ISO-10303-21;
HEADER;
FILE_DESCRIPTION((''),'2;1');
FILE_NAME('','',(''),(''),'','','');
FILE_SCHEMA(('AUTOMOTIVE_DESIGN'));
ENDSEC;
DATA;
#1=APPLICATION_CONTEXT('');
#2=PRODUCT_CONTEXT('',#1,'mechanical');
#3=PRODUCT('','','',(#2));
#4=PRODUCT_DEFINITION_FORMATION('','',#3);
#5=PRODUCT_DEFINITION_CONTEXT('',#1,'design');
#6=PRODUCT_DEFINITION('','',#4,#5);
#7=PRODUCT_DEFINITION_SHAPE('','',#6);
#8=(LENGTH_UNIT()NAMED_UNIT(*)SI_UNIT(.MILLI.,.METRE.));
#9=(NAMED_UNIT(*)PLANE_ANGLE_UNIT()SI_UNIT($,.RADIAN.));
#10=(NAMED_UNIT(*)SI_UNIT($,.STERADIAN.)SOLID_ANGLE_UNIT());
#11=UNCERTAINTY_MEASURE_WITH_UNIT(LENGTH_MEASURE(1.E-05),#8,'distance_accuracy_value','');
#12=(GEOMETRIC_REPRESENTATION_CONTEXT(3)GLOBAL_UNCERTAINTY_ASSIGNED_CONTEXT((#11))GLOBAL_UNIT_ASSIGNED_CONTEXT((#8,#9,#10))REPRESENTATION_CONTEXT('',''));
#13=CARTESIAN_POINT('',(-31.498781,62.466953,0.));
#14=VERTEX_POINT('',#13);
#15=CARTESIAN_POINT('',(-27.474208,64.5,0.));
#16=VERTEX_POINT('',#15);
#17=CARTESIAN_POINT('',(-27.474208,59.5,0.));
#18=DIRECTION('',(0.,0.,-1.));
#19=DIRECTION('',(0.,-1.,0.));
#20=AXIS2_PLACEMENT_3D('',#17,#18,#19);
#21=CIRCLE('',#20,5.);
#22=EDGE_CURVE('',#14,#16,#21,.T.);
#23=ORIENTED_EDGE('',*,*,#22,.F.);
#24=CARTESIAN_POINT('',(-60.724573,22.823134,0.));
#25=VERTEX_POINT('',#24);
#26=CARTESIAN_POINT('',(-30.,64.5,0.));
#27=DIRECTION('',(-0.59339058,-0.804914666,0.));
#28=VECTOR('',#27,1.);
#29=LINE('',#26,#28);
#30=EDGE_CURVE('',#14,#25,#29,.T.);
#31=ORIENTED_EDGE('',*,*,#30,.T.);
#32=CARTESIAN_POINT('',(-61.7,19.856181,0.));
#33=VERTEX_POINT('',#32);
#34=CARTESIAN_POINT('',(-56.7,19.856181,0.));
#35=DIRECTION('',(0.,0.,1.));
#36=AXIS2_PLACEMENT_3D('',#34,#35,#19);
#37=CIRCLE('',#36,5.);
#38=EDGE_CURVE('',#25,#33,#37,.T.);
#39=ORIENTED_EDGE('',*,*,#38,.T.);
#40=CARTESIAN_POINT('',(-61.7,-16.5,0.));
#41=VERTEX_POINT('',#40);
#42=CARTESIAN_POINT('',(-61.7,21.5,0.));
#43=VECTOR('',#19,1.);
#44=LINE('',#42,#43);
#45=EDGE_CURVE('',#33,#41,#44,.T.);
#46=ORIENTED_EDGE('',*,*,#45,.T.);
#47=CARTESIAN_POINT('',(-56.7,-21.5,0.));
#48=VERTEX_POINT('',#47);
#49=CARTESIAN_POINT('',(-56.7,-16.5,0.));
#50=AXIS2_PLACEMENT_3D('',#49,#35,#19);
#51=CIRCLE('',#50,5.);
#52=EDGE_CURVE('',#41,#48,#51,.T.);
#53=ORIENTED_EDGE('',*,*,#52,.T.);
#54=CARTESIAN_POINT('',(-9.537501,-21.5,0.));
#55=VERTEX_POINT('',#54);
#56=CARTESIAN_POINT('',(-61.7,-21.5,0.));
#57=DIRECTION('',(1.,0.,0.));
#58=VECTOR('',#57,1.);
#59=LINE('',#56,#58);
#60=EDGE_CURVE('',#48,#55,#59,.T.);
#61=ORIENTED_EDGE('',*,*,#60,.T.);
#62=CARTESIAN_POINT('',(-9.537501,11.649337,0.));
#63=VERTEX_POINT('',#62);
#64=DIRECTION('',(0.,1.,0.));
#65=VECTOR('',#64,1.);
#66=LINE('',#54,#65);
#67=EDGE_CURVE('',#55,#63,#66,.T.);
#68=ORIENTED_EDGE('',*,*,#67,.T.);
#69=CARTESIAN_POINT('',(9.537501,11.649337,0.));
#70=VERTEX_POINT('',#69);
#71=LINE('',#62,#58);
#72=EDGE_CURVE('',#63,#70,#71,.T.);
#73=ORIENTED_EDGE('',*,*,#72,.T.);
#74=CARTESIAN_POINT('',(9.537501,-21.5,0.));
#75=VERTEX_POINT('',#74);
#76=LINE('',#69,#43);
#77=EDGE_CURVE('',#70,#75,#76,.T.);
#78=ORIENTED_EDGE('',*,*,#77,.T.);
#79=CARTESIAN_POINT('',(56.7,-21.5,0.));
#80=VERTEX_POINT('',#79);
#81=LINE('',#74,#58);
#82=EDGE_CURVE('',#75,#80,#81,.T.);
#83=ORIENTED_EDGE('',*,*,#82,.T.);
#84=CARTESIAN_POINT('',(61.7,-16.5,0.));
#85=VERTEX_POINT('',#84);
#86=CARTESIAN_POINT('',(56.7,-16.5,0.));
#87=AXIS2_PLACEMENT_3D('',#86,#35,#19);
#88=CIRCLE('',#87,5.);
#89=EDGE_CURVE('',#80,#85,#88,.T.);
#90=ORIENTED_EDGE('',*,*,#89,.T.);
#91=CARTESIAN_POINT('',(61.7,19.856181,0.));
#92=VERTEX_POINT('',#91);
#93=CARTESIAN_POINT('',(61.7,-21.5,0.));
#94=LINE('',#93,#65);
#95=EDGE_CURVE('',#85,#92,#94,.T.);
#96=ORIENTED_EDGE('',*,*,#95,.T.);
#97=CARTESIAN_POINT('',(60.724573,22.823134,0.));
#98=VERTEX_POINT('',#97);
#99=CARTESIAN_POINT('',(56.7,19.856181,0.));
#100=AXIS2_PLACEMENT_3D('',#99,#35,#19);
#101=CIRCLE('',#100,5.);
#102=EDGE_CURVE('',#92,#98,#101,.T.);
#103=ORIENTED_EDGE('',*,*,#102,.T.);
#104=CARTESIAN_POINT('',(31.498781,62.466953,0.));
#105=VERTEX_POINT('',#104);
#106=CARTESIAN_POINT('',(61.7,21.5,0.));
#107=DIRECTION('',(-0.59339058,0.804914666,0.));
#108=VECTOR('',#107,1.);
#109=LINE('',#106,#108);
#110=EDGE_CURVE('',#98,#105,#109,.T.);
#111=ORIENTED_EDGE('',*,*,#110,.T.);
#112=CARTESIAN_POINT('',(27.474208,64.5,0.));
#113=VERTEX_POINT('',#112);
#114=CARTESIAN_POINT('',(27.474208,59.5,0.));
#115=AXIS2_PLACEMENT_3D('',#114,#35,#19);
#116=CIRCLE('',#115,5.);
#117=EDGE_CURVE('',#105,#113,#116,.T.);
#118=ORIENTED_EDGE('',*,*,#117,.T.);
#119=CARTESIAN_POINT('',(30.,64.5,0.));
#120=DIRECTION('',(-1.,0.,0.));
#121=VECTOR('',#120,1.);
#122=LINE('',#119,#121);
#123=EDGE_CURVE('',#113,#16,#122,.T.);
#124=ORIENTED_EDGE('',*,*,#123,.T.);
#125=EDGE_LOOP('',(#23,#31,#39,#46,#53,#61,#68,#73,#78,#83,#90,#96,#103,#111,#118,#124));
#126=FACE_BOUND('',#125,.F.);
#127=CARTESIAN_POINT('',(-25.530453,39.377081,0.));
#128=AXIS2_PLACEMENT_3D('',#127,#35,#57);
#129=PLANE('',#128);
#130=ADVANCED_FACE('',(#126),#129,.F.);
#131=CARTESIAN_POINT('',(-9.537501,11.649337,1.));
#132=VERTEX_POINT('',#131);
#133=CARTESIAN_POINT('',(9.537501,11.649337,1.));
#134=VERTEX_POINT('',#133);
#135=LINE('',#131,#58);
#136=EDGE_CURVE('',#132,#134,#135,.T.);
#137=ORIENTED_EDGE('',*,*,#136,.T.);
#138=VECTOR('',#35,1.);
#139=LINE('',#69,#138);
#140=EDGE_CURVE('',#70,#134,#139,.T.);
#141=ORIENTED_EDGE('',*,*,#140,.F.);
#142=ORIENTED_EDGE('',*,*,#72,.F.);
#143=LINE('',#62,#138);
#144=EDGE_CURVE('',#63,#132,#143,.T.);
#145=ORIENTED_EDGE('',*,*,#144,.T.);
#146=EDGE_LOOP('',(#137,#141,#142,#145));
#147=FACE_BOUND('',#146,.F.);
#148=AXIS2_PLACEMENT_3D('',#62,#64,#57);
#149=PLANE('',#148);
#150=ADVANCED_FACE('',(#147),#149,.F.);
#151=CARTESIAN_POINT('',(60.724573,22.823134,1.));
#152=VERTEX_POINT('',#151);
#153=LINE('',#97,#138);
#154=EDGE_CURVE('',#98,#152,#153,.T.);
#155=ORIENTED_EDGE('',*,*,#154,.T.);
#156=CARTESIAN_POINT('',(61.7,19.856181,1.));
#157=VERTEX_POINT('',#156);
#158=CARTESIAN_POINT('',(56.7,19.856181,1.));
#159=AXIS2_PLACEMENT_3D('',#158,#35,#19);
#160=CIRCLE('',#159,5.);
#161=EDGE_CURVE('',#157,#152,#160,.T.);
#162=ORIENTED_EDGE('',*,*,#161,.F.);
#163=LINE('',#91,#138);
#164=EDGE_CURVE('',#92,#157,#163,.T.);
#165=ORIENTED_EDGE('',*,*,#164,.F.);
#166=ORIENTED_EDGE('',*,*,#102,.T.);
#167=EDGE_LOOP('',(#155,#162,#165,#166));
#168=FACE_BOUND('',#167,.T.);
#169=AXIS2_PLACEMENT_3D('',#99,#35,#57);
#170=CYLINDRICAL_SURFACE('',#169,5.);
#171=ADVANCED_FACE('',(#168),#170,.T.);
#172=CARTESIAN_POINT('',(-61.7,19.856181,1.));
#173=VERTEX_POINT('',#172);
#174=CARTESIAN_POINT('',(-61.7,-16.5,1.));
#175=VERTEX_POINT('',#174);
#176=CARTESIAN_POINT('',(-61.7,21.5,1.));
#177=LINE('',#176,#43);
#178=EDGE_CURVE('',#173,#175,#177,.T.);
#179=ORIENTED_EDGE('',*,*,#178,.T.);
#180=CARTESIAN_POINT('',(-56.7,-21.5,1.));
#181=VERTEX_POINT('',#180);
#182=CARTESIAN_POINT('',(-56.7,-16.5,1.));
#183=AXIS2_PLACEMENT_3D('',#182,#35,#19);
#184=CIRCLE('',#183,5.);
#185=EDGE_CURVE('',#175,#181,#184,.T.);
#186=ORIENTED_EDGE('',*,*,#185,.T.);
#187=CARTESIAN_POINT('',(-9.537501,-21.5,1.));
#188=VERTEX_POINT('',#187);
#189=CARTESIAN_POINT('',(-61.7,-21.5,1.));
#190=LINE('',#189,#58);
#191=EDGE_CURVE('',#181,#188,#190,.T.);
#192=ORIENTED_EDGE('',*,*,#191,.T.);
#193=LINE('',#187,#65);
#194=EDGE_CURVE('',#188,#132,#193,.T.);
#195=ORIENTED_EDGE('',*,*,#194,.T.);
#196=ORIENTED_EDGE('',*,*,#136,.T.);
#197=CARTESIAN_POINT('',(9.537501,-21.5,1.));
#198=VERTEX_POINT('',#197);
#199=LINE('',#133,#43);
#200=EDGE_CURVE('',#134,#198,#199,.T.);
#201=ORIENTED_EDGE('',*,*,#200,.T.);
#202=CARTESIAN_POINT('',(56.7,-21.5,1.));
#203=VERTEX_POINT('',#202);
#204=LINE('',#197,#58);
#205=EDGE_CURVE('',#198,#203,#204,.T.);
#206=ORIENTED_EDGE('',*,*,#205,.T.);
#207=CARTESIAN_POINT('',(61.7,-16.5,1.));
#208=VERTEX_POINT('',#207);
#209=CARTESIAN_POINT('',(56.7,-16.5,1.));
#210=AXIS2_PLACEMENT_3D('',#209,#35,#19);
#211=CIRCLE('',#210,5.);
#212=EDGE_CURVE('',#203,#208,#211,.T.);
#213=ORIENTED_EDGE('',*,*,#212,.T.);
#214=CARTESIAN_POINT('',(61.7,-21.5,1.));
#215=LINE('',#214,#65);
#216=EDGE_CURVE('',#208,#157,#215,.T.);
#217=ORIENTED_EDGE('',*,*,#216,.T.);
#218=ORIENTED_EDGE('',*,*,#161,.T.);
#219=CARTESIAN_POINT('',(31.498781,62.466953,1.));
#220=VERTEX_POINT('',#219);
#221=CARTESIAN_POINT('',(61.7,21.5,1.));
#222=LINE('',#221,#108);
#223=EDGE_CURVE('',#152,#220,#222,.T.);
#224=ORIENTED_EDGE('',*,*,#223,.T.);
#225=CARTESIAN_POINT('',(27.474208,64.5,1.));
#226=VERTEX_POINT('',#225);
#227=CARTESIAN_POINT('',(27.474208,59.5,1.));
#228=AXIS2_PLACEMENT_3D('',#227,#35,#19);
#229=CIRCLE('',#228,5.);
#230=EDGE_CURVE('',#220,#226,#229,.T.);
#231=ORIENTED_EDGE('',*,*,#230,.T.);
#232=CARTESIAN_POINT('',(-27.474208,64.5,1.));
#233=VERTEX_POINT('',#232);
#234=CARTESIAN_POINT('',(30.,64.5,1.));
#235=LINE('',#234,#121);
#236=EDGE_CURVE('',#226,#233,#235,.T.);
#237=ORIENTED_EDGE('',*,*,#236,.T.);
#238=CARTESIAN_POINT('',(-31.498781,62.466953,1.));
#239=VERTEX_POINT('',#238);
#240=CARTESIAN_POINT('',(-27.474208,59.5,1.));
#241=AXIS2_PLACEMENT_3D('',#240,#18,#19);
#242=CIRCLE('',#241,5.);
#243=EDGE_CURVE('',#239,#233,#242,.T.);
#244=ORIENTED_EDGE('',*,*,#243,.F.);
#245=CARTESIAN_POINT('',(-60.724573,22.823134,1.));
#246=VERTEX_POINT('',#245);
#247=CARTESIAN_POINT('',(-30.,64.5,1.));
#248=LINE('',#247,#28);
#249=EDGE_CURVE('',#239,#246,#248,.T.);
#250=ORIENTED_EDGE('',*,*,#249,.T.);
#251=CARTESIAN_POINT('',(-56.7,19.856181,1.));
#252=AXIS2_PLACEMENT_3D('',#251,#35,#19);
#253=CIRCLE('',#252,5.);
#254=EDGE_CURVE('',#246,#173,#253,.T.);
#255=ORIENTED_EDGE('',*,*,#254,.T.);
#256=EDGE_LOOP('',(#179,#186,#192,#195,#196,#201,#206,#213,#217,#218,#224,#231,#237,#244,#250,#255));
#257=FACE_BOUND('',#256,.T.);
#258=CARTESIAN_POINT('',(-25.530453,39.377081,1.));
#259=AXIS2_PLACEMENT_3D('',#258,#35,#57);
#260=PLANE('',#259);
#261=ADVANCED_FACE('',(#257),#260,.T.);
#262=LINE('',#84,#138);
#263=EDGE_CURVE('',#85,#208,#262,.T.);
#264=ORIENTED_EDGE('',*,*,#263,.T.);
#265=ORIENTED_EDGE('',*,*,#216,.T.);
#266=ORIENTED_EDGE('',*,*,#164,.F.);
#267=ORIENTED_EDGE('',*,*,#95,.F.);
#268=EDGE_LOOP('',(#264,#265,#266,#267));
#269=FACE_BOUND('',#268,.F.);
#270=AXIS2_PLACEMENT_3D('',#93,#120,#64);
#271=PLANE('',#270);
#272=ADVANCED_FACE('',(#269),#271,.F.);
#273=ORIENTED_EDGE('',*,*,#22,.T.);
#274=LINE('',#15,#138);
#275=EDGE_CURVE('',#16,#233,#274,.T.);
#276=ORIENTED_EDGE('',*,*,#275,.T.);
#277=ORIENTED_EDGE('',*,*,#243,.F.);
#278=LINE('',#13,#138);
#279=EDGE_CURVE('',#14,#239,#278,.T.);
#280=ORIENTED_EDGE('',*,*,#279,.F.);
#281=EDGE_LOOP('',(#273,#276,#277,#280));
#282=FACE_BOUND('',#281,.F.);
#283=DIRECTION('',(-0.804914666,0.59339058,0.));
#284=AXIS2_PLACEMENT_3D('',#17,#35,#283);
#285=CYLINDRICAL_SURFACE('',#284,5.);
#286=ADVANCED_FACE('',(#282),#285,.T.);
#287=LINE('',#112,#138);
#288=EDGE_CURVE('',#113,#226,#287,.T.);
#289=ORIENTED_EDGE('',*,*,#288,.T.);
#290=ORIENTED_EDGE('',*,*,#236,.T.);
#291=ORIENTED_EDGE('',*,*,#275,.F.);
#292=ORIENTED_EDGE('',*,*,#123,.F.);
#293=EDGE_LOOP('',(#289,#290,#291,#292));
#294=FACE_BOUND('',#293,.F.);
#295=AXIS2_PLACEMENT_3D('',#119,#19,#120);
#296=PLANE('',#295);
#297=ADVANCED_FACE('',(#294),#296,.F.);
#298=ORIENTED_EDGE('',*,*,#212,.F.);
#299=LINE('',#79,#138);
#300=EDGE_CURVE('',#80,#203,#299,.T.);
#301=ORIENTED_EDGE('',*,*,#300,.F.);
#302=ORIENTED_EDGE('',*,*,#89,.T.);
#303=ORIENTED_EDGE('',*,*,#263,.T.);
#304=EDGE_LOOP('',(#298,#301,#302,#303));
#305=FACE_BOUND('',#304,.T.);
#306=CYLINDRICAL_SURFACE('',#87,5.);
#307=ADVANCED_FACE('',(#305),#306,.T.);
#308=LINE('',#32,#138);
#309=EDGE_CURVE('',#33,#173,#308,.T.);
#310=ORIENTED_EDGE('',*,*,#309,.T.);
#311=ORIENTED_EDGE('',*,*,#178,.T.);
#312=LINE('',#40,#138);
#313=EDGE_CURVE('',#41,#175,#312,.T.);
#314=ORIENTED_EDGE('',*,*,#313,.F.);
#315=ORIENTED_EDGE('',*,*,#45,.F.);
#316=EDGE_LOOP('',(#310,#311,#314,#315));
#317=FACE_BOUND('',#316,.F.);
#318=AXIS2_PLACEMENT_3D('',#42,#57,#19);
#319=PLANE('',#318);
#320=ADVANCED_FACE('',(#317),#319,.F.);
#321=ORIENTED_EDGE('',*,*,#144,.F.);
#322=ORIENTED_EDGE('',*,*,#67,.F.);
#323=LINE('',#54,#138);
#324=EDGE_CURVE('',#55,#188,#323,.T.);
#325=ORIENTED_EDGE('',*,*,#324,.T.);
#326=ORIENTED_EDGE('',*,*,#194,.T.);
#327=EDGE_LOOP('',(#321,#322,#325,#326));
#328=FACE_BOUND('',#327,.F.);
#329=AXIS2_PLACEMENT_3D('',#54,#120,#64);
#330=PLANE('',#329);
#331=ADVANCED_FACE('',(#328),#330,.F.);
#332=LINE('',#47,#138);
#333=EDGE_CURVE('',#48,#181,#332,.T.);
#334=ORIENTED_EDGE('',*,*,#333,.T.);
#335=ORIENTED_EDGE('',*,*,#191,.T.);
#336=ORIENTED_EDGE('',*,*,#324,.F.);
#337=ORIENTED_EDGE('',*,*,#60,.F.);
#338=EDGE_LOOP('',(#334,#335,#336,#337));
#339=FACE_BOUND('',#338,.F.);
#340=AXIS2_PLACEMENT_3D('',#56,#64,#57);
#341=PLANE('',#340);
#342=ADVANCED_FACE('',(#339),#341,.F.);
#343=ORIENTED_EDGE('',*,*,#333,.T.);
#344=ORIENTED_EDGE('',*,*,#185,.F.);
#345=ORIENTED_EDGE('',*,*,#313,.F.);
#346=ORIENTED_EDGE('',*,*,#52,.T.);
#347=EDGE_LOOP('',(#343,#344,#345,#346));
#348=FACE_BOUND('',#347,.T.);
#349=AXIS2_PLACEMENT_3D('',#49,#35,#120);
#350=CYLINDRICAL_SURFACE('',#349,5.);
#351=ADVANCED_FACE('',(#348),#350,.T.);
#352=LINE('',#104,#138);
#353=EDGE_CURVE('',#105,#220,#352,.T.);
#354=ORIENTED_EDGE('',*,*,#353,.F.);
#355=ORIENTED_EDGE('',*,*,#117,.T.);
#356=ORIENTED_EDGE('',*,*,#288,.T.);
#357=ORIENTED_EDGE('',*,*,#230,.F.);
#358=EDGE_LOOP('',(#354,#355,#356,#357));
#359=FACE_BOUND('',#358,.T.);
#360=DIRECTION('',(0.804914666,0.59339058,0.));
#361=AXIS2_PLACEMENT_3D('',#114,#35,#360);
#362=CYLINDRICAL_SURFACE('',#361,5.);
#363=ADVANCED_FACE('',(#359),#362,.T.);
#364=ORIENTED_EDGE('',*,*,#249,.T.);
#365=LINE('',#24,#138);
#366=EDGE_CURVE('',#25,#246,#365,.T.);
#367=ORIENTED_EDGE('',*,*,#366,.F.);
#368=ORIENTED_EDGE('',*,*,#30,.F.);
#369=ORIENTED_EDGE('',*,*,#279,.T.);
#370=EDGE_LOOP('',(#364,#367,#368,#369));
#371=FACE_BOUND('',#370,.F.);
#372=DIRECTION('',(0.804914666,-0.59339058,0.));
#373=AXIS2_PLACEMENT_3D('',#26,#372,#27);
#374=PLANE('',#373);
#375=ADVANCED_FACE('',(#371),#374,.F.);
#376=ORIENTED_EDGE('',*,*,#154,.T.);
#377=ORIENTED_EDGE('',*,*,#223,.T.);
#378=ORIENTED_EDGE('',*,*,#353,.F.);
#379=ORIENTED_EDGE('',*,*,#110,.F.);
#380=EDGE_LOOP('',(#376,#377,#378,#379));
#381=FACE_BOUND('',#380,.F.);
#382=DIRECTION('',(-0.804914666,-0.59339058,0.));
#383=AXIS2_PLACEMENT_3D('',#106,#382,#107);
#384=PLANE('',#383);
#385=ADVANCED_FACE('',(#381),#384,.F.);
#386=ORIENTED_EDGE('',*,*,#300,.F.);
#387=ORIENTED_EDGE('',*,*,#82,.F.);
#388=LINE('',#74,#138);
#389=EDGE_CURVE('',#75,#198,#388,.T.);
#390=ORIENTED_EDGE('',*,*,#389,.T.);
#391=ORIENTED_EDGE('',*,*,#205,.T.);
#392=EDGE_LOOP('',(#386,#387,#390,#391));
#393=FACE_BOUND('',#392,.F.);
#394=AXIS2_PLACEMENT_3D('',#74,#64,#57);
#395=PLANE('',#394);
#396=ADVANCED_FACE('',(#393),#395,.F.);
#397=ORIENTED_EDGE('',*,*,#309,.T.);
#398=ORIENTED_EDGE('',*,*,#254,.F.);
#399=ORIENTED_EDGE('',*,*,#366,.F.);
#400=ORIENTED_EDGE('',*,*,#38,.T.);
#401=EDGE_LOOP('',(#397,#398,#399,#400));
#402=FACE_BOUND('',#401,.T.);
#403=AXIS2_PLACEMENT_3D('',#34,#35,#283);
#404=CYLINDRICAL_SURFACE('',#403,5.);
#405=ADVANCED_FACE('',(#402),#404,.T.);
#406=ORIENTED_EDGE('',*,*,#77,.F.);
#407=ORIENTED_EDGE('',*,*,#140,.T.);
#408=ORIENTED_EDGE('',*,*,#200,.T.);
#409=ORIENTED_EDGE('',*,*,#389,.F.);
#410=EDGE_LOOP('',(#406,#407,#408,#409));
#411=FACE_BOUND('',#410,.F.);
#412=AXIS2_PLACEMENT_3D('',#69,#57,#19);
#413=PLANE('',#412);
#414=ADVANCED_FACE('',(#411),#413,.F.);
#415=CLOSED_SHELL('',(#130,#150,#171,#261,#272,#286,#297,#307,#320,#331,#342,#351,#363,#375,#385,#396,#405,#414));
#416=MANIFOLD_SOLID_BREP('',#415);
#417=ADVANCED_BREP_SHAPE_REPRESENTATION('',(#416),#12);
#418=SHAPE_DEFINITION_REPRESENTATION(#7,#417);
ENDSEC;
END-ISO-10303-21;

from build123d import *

# Parameters (mm, degrees)
F1_DEPTH = 1
F2_R     = 5


with BuildPart() as f1:
    # F0 (on Top) → F1 (new body)
    with BuildSketch(Plane.XY):
        Polygon((-30, 64.5), (-61.7, 21.5), (0, 21.5), (0, 64.5), align=None)
        Polygon((0, 64.5), (0, 21.5), (61.7, 21.5), (30, 64.5), align=None)
        Polygon((0, 21.5), (-61.7, 21.5), (-61.7, -21.5), (-9.537501, -21.5), (-9.537501, 11.649337), (9.537501, 11.649337), (9.537501, -21.5), (61.7, -21.5), (61.7, 21.5), align=None)
    extrude(amount=F1_DEPTH)

    # F2
    f2_edges = [f1.edges().sort_by_distance(p)[0] for p in [
        (-30, 64.5, 0.5),
        (-61.7, 21.5, 0.5),
        (30, 64.5, 0.5),
        (61.7, 21.5, 0.5),
        (61.7, -21.5, 0.5),
        (-61.7, -21.5, 0.5),
    ]]
    fillet(f2_edges, radius=F2_R)


solid = f1.part
